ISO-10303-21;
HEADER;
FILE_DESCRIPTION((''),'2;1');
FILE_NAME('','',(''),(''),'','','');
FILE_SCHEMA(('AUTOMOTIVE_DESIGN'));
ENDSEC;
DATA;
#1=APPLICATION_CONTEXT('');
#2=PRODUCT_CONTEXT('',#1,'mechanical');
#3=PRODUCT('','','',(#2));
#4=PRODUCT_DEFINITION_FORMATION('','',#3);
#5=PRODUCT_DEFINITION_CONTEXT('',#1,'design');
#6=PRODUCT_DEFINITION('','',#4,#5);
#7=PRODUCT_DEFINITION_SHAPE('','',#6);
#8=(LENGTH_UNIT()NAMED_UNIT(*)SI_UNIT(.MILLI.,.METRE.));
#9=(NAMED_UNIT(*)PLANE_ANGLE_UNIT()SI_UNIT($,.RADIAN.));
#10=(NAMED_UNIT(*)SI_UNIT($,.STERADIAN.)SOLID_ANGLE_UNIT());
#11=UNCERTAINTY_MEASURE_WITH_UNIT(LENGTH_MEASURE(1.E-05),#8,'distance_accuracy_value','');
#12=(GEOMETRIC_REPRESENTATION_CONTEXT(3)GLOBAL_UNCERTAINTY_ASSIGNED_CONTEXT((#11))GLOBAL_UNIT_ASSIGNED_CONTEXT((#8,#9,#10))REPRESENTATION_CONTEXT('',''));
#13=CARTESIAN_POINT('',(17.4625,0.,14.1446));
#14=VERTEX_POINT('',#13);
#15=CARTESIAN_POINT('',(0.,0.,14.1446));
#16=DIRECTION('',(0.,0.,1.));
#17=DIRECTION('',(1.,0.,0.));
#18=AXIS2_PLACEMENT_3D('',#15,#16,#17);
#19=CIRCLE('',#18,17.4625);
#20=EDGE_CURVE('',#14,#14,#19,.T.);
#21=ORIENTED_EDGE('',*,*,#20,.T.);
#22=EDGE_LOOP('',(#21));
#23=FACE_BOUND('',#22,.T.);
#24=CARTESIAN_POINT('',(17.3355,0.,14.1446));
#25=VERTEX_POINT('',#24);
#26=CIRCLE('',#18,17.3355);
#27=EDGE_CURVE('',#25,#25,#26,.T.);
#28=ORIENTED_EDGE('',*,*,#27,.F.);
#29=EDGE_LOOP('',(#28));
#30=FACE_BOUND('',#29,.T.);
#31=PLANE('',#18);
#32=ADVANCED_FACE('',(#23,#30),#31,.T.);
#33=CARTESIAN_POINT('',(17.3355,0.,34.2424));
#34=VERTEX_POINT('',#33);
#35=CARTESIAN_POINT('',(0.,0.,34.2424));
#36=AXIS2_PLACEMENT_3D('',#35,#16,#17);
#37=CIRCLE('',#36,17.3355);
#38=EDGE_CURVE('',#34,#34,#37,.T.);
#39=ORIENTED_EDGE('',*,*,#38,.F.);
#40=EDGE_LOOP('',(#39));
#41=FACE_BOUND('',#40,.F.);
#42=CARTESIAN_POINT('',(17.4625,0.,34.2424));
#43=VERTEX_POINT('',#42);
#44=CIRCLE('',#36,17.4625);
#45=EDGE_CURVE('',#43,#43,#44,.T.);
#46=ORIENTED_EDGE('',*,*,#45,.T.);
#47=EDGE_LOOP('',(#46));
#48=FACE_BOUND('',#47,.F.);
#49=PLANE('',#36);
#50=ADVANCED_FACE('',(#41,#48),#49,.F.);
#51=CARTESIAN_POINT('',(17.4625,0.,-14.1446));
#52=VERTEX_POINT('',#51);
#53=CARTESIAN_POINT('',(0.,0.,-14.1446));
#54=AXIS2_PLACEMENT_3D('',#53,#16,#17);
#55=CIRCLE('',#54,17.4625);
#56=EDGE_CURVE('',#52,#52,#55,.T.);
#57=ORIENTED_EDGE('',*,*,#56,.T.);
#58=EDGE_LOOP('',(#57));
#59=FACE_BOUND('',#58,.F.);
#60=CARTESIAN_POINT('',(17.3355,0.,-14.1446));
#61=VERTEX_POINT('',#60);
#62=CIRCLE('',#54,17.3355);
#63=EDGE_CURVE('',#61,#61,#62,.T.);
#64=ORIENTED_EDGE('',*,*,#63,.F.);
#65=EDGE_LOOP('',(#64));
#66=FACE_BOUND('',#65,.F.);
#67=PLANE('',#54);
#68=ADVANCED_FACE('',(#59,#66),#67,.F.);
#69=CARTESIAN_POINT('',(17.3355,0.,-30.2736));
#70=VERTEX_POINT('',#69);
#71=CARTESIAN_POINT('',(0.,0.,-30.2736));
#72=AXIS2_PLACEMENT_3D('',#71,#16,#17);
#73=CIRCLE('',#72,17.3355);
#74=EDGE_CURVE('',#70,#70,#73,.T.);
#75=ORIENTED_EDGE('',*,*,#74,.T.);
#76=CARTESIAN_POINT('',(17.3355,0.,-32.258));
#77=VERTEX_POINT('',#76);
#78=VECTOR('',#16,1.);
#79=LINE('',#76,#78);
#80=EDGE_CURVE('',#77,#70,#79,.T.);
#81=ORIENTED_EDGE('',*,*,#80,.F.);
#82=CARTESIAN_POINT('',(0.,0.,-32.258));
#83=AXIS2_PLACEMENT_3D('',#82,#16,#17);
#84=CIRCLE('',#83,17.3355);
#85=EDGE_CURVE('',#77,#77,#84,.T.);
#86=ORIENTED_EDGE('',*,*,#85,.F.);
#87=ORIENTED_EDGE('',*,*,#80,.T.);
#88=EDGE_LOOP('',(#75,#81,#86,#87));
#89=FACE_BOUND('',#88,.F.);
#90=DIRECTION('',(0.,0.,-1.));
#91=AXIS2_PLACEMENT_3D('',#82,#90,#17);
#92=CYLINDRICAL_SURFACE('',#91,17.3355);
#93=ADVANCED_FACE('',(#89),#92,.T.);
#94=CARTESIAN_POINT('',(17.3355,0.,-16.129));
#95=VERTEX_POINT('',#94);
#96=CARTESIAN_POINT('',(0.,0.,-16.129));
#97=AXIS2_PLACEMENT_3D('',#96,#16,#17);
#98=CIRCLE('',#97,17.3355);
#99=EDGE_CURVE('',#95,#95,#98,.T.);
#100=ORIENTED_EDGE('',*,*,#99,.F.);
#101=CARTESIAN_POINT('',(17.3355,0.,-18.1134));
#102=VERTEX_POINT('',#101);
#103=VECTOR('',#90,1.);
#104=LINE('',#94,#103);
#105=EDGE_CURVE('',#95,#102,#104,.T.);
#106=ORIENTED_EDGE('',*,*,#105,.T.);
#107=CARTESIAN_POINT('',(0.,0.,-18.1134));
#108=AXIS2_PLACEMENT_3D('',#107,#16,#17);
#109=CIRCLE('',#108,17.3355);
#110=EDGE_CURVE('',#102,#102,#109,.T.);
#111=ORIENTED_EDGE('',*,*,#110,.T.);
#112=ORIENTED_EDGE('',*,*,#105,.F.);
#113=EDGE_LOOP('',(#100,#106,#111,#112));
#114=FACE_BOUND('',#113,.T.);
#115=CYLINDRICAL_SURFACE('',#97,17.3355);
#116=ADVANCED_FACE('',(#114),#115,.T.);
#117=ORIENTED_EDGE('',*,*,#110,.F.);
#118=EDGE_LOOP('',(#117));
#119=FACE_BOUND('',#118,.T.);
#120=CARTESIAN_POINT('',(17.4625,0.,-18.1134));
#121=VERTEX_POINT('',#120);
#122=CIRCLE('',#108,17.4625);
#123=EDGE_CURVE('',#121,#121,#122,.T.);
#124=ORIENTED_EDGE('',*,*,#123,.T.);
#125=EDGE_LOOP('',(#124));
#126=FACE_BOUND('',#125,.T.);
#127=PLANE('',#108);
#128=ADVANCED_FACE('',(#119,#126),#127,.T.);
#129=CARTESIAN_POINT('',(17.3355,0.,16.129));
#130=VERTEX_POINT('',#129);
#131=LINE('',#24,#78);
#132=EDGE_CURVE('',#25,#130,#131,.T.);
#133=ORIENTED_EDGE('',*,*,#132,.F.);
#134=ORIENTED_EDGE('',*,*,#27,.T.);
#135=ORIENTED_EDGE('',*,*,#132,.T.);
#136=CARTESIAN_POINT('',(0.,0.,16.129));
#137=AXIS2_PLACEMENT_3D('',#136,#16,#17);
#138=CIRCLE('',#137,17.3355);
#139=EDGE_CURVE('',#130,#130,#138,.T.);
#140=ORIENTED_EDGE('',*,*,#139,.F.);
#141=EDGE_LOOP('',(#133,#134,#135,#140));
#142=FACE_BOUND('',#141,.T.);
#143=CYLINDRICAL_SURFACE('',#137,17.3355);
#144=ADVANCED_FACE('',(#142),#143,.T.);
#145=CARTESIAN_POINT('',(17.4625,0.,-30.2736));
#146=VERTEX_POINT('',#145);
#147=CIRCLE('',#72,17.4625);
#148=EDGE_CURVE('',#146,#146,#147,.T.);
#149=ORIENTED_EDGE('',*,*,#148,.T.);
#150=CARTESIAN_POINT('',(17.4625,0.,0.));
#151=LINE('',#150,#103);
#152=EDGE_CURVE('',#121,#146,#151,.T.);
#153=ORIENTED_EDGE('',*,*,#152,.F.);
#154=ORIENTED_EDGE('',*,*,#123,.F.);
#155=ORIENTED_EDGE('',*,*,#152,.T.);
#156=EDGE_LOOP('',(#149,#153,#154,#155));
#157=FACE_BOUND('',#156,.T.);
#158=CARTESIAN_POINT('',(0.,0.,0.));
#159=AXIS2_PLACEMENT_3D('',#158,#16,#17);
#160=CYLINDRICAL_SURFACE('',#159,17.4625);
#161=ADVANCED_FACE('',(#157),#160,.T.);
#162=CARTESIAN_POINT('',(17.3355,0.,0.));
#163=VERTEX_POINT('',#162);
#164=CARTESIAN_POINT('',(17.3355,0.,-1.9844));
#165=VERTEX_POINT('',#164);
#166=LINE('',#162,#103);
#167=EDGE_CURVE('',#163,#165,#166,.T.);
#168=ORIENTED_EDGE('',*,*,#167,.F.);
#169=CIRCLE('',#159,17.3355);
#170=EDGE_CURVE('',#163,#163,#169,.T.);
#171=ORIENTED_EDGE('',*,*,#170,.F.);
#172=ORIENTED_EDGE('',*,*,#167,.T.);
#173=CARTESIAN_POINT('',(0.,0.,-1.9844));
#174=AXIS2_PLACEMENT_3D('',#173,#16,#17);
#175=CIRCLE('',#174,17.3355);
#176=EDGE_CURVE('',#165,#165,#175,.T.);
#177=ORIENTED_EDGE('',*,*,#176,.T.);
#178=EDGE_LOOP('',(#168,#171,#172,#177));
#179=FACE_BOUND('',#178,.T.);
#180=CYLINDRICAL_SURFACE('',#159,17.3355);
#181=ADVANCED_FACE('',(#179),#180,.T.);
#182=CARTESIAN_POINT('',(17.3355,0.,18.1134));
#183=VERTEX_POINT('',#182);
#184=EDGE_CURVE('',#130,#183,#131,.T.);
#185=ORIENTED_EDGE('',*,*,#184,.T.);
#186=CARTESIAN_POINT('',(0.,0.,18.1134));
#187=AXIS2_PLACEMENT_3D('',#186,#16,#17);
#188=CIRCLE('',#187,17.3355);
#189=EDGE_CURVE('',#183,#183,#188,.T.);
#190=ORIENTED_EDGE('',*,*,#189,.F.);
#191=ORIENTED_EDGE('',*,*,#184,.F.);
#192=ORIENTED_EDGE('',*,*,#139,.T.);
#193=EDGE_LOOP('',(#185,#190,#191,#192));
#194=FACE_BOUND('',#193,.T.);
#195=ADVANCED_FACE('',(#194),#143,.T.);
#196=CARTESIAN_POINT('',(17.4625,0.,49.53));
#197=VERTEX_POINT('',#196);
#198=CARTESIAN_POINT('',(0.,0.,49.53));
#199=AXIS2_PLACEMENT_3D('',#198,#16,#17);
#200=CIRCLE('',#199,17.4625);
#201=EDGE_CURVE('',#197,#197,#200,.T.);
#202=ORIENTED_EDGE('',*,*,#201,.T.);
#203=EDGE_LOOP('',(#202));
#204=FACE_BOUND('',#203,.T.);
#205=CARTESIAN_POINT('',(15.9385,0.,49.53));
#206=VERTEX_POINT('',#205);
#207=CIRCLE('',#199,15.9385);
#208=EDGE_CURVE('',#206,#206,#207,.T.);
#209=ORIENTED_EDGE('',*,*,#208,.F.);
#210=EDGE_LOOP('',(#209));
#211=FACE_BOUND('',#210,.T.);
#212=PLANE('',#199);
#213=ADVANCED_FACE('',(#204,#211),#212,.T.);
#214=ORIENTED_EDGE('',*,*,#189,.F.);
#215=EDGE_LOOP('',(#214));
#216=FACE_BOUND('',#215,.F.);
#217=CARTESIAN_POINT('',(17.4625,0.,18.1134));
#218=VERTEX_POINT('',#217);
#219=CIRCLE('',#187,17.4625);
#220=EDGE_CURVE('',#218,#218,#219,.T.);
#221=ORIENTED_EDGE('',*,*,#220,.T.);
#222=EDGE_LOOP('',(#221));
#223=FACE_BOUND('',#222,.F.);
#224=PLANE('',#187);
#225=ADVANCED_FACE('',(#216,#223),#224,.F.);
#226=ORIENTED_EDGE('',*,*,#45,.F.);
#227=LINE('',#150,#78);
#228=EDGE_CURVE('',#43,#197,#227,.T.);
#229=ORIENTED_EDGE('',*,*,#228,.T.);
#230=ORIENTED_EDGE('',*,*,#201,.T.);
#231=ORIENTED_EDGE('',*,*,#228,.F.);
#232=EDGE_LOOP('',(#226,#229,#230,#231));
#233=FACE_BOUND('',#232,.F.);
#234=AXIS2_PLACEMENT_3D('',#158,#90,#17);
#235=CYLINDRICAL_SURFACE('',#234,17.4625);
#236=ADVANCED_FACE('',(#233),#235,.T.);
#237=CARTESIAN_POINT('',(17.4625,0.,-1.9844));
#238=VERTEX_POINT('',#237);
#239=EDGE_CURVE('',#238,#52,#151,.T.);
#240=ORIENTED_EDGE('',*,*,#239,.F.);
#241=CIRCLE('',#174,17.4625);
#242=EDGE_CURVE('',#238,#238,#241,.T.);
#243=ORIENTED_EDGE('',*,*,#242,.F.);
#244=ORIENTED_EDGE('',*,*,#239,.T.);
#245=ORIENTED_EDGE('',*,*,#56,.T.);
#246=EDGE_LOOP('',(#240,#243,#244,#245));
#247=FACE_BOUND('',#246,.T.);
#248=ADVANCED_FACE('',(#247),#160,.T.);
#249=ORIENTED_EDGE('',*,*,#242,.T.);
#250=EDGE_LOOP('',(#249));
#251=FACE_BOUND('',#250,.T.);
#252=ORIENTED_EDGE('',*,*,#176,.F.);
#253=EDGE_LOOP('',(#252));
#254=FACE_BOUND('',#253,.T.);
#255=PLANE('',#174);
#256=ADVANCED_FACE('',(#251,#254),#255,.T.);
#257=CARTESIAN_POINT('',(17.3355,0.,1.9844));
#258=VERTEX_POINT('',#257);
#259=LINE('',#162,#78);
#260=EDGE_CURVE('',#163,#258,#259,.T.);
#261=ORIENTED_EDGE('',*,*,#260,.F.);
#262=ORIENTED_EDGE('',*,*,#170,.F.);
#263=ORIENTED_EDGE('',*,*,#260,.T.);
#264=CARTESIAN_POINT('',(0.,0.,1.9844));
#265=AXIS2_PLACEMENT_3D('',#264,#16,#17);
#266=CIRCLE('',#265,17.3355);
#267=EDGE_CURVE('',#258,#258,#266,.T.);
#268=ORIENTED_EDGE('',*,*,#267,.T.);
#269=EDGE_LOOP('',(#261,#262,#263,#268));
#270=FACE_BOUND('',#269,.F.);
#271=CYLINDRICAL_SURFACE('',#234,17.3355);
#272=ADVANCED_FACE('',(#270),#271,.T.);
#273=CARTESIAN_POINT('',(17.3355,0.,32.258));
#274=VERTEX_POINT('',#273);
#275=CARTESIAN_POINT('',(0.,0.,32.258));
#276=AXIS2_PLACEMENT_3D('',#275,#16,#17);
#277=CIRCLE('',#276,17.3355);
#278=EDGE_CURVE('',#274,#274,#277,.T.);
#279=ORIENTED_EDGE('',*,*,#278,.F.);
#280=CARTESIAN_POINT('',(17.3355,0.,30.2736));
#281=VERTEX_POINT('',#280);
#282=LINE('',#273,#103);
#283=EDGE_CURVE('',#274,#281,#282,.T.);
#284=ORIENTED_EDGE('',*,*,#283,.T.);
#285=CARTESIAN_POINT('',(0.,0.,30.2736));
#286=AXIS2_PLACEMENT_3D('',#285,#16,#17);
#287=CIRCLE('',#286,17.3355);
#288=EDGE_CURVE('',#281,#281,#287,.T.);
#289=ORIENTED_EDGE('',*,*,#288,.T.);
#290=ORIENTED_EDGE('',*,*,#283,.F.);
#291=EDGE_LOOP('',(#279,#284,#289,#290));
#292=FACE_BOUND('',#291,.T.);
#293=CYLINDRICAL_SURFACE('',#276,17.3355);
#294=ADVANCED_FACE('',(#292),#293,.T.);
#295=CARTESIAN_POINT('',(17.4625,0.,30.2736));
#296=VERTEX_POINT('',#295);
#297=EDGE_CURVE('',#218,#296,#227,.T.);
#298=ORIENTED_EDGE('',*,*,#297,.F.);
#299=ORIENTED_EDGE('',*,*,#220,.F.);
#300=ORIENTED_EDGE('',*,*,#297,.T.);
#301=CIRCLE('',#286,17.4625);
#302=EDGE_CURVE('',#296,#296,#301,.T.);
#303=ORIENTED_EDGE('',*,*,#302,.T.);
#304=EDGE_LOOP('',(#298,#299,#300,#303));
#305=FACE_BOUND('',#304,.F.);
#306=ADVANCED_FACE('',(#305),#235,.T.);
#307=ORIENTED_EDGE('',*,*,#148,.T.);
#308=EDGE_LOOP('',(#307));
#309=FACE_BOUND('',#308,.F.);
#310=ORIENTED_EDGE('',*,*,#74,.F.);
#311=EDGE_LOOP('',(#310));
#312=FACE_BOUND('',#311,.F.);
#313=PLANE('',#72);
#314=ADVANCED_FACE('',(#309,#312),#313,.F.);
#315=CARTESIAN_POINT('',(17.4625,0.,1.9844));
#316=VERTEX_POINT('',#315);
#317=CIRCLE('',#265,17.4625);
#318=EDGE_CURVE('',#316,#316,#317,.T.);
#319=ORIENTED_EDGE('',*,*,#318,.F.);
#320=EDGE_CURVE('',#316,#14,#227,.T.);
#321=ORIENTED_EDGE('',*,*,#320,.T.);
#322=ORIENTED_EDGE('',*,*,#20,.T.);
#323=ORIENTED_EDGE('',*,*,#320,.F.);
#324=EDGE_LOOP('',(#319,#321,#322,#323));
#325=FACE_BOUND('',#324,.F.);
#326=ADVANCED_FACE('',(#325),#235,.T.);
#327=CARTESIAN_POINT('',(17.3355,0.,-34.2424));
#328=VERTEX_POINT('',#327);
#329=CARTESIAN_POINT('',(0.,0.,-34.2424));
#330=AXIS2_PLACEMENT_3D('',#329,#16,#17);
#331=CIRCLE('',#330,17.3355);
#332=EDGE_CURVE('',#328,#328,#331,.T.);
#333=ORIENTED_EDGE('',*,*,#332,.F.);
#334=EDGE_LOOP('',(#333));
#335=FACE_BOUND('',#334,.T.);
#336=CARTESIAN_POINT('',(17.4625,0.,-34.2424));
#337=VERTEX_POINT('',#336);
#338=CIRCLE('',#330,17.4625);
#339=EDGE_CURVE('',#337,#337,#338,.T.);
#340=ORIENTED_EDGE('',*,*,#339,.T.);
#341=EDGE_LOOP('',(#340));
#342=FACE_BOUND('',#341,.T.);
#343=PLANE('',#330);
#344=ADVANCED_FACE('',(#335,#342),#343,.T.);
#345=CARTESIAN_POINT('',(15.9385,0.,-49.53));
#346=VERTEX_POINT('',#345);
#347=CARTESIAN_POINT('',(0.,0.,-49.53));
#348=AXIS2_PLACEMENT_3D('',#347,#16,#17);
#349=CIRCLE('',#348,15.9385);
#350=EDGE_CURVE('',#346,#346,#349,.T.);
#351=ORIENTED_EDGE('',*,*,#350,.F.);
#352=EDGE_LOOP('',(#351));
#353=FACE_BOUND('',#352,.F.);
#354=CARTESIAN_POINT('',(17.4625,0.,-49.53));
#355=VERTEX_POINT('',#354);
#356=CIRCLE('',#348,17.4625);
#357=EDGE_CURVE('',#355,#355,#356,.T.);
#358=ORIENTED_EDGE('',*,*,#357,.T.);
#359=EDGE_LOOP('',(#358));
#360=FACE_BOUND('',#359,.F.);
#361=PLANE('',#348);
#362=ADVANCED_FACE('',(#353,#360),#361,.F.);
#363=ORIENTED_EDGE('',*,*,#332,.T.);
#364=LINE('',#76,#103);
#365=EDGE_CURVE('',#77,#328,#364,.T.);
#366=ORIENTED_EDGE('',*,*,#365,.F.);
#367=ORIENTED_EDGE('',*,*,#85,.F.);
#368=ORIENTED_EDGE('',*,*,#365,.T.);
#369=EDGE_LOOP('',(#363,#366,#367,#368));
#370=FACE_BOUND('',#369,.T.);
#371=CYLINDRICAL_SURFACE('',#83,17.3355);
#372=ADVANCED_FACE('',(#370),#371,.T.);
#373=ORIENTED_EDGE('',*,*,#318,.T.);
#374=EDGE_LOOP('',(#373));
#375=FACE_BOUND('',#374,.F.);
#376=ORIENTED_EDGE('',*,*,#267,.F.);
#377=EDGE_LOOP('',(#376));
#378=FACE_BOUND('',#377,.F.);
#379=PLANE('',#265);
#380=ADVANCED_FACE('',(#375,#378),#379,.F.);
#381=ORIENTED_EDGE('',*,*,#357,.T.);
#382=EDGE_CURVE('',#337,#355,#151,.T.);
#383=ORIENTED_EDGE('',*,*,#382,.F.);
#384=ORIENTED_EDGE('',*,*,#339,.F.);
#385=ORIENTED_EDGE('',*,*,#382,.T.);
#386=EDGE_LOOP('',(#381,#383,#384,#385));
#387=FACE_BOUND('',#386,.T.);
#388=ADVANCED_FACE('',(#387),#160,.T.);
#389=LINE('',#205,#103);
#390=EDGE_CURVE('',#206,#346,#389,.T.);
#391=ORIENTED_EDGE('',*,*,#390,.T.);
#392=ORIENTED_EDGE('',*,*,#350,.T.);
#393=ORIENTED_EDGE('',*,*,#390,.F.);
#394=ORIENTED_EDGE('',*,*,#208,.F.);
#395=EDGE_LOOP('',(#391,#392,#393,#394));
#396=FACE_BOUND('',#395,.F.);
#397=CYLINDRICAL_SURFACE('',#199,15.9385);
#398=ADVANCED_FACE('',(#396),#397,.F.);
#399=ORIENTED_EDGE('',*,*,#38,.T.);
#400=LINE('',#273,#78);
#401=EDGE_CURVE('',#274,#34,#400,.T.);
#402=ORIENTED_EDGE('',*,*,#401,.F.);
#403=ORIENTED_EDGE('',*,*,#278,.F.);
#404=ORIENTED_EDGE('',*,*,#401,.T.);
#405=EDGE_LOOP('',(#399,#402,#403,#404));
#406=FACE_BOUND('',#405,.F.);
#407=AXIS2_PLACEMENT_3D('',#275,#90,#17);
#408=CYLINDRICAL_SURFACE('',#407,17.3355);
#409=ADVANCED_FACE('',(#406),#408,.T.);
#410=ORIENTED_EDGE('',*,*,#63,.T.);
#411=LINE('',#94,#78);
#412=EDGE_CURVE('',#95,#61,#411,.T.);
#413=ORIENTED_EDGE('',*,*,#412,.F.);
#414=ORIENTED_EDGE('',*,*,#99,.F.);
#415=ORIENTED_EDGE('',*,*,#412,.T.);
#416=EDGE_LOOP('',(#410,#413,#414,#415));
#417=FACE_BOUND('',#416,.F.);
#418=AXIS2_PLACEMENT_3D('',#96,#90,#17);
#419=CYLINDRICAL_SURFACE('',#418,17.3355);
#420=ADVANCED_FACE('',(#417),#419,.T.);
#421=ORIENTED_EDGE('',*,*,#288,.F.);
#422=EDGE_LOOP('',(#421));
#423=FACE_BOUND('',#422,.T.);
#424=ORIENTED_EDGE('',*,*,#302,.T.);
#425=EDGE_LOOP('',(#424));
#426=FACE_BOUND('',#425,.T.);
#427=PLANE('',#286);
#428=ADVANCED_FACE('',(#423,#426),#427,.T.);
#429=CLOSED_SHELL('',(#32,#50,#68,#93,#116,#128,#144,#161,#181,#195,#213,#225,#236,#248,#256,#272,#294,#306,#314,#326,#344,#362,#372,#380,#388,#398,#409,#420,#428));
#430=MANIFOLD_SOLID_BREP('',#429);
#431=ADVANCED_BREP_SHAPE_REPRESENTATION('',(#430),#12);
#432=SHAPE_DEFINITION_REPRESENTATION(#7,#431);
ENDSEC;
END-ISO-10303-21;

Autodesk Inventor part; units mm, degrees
ref_plane "YZ Plane" through (0, 0, 0) normal (1, 0, 0) x (0, 1, 0)
ref_plane "XZ Plane" through (0, 0, 0) normal (0, 1, 0) x (-1, 0, 0)
ref_plane "XY Plane" through (0, 0, 0) normal (0, 0, 1) x (1, 0, 0)
sketch "Sketch1" plane through (0, 0, 0) normal (0, 0, 1) x (1, 0, 0)
  circle A0 centre (0, 0) radius 17.4625
  dimension "d0" = 34.925
extrude "Extrusion1" add sketch "Sketch1" along normal mid plane 99.06
sketch "Sketch2" plane through (0, 0, 49.53) normal (0, 0, 1) x (1, 0, 0)
  circle A0 centre (0, 0) radius 15.9385
  circle A1 centre (0, 0) radius 17.4625 projected
  dimension "d16" = 1.524
extrude "Extrusion2" cut sketch "Sketch2" against normal blind 99.06 contours A0
sketch "Sketch3" plane through (0, 0, 0) normal (0, 0, 1) x (1, 0, 0)
  circle A0 centre (0, 0) radius 17.3355
  circle A1 centre (0, 0) radius 17.4625
  dimension "d6" = 34.671
extrude "Extrusion3" cut sketch "Sketch3" along normal mid plane 3.9688
pattern_linear "Rectangular Pattern1" count 3 spacing 16.129 along (0, 0, 1) count 3 spacing 16.129 along (0, 0, -1) of "Extrusion3"
properties part number "MIddle Rod Cover" material "Stainless Steel"
